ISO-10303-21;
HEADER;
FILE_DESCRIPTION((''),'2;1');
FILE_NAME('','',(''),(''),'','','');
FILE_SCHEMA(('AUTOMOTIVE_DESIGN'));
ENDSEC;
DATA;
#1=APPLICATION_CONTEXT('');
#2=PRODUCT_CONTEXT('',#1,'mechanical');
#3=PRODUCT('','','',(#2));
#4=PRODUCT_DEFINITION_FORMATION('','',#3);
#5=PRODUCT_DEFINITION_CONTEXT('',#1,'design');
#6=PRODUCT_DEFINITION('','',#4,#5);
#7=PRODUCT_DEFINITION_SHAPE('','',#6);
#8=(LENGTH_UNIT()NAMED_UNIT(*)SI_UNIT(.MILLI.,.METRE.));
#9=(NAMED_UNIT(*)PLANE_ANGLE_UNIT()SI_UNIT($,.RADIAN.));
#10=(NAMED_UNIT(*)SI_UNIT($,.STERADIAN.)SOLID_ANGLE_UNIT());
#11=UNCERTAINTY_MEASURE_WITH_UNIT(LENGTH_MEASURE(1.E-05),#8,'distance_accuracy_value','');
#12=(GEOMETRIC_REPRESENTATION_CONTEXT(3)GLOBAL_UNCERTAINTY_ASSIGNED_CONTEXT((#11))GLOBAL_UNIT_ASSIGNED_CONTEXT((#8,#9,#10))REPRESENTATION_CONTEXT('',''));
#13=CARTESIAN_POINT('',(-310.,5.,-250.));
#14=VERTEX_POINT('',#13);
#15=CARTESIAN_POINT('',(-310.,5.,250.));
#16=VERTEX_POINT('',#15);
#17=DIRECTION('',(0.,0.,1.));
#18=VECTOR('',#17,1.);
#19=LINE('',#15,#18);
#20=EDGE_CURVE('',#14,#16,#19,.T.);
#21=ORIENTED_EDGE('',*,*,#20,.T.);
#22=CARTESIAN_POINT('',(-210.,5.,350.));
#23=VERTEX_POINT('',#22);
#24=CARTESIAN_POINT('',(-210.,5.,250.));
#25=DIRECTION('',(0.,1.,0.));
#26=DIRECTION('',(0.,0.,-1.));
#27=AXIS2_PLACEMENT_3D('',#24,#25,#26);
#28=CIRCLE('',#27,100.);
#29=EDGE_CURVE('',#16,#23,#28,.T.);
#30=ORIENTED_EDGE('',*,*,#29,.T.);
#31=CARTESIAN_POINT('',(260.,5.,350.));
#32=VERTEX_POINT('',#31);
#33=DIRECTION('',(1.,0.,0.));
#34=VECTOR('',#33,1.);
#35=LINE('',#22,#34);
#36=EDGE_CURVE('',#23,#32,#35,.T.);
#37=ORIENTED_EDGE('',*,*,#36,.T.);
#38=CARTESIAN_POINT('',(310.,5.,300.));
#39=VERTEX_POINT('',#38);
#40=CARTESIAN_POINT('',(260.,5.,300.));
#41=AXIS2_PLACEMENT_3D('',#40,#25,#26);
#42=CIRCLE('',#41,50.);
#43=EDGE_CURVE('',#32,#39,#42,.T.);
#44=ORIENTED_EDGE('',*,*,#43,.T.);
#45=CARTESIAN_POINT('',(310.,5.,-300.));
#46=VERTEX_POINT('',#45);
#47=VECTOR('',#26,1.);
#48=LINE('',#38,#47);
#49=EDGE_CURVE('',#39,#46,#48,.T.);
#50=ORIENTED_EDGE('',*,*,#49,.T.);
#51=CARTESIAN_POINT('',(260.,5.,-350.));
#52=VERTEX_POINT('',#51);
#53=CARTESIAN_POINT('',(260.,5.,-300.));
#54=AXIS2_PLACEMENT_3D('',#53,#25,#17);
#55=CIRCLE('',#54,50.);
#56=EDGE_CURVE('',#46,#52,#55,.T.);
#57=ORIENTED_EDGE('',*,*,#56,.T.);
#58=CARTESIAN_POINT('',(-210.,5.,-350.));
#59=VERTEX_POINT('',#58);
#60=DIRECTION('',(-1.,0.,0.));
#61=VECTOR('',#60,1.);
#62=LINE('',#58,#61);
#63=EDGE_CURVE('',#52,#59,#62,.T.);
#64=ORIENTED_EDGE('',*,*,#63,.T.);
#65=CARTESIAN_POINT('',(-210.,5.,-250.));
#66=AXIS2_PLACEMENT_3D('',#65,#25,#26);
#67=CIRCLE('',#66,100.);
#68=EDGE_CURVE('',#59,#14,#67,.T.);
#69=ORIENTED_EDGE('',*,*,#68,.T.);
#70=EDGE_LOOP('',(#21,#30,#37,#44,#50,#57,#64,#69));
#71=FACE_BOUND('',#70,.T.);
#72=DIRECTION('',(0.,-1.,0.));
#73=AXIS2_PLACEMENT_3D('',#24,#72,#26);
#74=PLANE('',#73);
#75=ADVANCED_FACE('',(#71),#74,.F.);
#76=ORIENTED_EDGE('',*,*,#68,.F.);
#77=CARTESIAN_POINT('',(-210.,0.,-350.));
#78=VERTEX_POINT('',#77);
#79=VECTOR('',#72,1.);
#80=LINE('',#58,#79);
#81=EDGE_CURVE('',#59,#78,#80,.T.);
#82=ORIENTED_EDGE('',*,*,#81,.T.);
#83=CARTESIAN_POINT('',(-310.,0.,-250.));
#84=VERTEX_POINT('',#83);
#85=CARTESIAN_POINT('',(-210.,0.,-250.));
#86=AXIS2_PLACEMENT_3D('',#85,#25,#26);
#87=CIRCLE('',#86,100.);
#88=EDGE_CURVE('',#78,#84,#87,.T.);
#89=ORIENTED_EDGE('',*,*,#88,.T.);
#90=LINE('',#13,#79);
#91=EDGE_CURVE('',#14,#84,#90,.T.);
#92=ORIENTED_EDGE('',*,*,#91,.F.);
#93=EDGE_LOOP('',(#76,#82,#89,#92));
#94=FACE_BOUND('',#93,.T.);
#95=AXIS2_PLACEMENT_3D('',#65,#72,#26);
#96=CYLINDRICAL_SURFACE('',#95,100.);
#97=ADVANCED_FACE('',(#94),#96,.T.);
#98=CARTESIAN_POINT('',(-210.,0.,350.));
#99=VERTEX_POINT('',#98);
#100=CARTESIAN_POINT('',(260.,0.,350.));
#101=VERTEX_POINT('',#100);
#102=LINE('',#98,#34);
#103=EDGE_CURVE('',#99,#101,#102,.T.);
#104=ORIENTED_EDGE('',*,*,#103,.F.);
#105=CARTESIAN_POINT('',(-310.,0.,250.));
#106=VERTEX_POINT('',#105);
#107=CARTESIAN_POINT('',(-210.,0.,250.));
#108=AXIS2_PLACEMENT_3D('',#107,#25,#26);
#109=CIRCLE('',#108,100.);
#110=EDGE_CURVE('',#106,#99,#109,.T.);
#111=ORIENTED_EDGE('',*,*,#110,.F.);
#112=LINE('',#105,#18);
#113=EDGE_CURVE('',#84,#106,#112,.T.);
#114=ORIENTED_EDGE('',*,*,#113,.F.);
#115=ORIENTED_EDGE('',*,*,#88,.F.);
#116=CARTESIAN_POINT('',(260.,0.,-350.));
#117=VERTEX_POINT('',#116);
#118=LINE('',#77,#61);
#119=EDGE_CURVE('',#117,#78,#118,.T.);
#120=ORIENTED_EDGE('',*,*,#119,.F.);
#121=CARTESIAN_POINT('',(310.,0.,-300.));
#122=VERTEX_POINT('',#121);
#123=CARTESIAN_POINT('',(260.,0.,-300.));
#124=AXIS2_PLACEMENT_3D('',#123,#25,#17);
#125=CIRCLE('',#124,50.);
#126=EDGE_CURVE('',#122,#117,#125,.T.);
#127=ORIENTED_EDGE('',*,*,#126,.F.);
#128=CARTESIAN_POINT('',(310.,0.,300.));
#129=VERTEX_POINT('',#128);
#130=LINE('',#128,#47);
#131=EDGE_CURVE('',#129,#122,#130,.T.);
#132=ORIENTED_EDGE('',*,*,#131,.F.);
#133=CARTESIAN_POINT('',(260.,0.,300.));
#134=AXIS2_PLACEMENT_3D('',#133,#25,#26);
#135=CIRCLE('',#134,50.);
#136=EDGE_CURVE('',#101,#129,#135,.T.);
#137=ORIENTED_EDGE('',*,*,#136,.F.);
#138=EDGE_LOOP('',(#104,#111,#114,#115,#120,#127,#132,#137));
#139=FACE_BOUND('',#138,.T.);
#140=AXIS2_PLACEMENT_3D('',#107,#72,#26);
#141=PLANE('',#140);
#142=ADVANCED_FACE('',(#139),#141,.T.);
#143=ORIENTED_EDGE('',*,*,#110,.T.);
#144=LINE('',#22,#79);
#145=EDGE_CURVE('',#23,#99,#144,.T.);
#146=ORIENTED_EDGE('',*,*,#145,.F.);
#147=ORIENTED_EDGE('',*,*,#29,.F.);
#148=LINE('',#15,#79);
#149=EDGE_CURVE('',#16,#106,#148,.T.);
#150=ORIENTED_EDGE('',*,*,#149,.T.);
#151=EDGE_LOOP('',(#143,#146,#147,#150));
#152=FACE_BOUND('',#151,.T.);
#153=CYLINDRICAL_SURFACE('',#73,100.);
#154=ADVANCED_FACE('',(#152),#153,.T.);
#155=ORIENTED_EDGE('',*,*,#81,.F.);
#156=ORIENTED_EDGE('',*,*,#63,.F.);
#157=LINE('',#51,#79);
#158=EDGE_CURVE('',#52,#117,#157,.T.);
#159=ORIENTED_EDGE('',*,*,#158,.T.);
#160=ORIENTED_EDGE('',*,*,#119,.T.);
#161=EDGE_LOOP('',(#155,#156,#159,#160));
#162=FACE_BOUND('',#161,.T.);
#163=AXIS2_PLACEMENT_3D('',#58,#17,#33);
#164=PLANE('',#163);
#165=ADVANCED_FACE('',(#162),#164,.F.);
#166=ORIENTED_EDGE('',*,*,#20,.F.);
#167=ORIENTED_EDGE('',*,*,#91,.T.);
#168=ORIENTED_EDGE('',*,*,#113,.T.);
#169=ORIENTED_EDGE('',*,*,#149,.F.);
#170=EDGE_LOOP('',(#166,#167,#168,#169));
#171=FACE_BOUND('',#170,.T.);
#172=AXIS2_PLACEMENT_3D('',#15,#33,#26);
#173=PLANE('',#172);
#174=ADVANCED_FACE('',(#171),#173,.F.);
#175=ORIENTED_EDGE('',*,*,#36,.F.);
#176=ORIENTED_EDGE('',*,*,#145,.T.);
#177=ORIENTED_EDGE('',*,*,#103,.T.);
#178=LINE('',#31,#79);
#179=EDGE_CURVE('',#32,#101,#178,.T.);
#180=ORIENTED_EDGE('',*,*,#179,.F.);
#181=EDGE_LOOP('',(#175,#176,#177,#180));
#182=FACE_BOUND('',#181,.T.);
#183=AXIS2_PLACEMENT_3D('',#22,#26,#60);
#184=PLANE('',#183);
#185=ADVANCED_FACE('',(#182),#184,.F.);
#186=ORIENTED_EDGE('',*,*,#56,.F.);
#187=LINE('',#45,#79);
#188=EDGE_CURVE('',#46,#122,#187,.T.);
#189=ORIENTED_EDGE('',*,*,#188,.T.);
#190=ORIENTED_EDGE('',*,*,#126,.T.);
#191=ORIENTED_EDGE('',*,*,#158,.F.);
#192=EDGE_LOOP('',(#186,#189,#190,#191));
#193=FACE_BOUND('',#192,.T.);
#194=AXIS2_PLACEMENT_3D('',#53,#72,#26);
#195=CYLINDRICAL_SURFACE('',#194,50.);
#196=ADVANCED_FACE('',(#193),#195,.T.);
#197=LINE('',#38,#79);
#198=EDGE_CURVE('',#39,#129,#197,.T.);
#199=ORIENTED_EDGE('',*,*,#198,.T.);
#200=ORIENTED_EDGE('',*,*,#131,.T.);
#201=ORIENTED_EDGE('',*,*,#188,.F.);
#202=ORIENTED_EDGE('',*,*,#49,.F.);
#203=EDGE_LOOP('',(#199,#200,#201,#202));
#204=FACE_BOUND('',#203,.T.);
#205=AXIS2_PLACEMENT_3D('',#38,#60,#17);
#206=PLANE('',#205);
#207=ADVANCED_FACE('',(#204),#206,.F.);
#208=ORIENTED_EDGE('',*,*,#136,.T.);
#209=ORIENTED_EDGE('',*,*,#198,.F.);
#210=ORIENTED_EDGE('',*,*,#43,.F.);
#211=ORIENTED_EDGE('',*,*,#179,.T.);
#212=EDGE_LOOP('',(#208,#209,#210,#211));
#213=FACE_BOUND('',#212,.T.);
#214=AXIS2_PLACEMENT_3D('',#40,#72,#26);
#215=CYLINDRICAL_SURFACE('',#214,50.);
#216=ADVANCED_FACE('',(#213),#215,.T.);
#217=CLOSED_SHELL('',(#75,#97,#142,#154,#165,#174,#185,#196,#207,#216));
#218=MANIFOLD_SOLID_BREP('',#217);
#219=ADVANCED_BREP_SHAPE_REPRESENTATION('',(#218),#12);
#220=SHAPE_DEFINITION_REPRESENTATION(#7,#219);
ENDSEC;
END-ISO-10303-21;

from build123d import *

# Parameters (mm, degrees)
BOSS_EXTRUDE1_DEPTH = 5


with BuildPart() as part:
    # Sketch1 → Boss-Extrude1 (new body)
    with BuildSketch(Plane(origin=(0, 0, 0), x_dir=(1, 0, 0), z_dir=(0, 1, 0))):
        with BuildLine():
            Line((-210, -350), (260, -350))
            ThreePointArc((260, -350), (295.355339059, -335.355339059), (310, -300))
            Line((310, -300), (310, 300))
            ThreePointArc((310, 300), (295.355339059, 335.355339059), (260, 350))
            Line((260, 350), (-210, 350))
            ThreePointArc((-210, 350), (-280.710678119, 320.710678119), (-310, 250))
            Line((-310, 250), (-310, -250))
            ThreePointArc((-310, -250), (-280.710678119, -320.710678119), (-210, -350))
        make_face()
    extrude(amount=BOSS_EXTRUDE1_DEPTH)


solid = part.part
